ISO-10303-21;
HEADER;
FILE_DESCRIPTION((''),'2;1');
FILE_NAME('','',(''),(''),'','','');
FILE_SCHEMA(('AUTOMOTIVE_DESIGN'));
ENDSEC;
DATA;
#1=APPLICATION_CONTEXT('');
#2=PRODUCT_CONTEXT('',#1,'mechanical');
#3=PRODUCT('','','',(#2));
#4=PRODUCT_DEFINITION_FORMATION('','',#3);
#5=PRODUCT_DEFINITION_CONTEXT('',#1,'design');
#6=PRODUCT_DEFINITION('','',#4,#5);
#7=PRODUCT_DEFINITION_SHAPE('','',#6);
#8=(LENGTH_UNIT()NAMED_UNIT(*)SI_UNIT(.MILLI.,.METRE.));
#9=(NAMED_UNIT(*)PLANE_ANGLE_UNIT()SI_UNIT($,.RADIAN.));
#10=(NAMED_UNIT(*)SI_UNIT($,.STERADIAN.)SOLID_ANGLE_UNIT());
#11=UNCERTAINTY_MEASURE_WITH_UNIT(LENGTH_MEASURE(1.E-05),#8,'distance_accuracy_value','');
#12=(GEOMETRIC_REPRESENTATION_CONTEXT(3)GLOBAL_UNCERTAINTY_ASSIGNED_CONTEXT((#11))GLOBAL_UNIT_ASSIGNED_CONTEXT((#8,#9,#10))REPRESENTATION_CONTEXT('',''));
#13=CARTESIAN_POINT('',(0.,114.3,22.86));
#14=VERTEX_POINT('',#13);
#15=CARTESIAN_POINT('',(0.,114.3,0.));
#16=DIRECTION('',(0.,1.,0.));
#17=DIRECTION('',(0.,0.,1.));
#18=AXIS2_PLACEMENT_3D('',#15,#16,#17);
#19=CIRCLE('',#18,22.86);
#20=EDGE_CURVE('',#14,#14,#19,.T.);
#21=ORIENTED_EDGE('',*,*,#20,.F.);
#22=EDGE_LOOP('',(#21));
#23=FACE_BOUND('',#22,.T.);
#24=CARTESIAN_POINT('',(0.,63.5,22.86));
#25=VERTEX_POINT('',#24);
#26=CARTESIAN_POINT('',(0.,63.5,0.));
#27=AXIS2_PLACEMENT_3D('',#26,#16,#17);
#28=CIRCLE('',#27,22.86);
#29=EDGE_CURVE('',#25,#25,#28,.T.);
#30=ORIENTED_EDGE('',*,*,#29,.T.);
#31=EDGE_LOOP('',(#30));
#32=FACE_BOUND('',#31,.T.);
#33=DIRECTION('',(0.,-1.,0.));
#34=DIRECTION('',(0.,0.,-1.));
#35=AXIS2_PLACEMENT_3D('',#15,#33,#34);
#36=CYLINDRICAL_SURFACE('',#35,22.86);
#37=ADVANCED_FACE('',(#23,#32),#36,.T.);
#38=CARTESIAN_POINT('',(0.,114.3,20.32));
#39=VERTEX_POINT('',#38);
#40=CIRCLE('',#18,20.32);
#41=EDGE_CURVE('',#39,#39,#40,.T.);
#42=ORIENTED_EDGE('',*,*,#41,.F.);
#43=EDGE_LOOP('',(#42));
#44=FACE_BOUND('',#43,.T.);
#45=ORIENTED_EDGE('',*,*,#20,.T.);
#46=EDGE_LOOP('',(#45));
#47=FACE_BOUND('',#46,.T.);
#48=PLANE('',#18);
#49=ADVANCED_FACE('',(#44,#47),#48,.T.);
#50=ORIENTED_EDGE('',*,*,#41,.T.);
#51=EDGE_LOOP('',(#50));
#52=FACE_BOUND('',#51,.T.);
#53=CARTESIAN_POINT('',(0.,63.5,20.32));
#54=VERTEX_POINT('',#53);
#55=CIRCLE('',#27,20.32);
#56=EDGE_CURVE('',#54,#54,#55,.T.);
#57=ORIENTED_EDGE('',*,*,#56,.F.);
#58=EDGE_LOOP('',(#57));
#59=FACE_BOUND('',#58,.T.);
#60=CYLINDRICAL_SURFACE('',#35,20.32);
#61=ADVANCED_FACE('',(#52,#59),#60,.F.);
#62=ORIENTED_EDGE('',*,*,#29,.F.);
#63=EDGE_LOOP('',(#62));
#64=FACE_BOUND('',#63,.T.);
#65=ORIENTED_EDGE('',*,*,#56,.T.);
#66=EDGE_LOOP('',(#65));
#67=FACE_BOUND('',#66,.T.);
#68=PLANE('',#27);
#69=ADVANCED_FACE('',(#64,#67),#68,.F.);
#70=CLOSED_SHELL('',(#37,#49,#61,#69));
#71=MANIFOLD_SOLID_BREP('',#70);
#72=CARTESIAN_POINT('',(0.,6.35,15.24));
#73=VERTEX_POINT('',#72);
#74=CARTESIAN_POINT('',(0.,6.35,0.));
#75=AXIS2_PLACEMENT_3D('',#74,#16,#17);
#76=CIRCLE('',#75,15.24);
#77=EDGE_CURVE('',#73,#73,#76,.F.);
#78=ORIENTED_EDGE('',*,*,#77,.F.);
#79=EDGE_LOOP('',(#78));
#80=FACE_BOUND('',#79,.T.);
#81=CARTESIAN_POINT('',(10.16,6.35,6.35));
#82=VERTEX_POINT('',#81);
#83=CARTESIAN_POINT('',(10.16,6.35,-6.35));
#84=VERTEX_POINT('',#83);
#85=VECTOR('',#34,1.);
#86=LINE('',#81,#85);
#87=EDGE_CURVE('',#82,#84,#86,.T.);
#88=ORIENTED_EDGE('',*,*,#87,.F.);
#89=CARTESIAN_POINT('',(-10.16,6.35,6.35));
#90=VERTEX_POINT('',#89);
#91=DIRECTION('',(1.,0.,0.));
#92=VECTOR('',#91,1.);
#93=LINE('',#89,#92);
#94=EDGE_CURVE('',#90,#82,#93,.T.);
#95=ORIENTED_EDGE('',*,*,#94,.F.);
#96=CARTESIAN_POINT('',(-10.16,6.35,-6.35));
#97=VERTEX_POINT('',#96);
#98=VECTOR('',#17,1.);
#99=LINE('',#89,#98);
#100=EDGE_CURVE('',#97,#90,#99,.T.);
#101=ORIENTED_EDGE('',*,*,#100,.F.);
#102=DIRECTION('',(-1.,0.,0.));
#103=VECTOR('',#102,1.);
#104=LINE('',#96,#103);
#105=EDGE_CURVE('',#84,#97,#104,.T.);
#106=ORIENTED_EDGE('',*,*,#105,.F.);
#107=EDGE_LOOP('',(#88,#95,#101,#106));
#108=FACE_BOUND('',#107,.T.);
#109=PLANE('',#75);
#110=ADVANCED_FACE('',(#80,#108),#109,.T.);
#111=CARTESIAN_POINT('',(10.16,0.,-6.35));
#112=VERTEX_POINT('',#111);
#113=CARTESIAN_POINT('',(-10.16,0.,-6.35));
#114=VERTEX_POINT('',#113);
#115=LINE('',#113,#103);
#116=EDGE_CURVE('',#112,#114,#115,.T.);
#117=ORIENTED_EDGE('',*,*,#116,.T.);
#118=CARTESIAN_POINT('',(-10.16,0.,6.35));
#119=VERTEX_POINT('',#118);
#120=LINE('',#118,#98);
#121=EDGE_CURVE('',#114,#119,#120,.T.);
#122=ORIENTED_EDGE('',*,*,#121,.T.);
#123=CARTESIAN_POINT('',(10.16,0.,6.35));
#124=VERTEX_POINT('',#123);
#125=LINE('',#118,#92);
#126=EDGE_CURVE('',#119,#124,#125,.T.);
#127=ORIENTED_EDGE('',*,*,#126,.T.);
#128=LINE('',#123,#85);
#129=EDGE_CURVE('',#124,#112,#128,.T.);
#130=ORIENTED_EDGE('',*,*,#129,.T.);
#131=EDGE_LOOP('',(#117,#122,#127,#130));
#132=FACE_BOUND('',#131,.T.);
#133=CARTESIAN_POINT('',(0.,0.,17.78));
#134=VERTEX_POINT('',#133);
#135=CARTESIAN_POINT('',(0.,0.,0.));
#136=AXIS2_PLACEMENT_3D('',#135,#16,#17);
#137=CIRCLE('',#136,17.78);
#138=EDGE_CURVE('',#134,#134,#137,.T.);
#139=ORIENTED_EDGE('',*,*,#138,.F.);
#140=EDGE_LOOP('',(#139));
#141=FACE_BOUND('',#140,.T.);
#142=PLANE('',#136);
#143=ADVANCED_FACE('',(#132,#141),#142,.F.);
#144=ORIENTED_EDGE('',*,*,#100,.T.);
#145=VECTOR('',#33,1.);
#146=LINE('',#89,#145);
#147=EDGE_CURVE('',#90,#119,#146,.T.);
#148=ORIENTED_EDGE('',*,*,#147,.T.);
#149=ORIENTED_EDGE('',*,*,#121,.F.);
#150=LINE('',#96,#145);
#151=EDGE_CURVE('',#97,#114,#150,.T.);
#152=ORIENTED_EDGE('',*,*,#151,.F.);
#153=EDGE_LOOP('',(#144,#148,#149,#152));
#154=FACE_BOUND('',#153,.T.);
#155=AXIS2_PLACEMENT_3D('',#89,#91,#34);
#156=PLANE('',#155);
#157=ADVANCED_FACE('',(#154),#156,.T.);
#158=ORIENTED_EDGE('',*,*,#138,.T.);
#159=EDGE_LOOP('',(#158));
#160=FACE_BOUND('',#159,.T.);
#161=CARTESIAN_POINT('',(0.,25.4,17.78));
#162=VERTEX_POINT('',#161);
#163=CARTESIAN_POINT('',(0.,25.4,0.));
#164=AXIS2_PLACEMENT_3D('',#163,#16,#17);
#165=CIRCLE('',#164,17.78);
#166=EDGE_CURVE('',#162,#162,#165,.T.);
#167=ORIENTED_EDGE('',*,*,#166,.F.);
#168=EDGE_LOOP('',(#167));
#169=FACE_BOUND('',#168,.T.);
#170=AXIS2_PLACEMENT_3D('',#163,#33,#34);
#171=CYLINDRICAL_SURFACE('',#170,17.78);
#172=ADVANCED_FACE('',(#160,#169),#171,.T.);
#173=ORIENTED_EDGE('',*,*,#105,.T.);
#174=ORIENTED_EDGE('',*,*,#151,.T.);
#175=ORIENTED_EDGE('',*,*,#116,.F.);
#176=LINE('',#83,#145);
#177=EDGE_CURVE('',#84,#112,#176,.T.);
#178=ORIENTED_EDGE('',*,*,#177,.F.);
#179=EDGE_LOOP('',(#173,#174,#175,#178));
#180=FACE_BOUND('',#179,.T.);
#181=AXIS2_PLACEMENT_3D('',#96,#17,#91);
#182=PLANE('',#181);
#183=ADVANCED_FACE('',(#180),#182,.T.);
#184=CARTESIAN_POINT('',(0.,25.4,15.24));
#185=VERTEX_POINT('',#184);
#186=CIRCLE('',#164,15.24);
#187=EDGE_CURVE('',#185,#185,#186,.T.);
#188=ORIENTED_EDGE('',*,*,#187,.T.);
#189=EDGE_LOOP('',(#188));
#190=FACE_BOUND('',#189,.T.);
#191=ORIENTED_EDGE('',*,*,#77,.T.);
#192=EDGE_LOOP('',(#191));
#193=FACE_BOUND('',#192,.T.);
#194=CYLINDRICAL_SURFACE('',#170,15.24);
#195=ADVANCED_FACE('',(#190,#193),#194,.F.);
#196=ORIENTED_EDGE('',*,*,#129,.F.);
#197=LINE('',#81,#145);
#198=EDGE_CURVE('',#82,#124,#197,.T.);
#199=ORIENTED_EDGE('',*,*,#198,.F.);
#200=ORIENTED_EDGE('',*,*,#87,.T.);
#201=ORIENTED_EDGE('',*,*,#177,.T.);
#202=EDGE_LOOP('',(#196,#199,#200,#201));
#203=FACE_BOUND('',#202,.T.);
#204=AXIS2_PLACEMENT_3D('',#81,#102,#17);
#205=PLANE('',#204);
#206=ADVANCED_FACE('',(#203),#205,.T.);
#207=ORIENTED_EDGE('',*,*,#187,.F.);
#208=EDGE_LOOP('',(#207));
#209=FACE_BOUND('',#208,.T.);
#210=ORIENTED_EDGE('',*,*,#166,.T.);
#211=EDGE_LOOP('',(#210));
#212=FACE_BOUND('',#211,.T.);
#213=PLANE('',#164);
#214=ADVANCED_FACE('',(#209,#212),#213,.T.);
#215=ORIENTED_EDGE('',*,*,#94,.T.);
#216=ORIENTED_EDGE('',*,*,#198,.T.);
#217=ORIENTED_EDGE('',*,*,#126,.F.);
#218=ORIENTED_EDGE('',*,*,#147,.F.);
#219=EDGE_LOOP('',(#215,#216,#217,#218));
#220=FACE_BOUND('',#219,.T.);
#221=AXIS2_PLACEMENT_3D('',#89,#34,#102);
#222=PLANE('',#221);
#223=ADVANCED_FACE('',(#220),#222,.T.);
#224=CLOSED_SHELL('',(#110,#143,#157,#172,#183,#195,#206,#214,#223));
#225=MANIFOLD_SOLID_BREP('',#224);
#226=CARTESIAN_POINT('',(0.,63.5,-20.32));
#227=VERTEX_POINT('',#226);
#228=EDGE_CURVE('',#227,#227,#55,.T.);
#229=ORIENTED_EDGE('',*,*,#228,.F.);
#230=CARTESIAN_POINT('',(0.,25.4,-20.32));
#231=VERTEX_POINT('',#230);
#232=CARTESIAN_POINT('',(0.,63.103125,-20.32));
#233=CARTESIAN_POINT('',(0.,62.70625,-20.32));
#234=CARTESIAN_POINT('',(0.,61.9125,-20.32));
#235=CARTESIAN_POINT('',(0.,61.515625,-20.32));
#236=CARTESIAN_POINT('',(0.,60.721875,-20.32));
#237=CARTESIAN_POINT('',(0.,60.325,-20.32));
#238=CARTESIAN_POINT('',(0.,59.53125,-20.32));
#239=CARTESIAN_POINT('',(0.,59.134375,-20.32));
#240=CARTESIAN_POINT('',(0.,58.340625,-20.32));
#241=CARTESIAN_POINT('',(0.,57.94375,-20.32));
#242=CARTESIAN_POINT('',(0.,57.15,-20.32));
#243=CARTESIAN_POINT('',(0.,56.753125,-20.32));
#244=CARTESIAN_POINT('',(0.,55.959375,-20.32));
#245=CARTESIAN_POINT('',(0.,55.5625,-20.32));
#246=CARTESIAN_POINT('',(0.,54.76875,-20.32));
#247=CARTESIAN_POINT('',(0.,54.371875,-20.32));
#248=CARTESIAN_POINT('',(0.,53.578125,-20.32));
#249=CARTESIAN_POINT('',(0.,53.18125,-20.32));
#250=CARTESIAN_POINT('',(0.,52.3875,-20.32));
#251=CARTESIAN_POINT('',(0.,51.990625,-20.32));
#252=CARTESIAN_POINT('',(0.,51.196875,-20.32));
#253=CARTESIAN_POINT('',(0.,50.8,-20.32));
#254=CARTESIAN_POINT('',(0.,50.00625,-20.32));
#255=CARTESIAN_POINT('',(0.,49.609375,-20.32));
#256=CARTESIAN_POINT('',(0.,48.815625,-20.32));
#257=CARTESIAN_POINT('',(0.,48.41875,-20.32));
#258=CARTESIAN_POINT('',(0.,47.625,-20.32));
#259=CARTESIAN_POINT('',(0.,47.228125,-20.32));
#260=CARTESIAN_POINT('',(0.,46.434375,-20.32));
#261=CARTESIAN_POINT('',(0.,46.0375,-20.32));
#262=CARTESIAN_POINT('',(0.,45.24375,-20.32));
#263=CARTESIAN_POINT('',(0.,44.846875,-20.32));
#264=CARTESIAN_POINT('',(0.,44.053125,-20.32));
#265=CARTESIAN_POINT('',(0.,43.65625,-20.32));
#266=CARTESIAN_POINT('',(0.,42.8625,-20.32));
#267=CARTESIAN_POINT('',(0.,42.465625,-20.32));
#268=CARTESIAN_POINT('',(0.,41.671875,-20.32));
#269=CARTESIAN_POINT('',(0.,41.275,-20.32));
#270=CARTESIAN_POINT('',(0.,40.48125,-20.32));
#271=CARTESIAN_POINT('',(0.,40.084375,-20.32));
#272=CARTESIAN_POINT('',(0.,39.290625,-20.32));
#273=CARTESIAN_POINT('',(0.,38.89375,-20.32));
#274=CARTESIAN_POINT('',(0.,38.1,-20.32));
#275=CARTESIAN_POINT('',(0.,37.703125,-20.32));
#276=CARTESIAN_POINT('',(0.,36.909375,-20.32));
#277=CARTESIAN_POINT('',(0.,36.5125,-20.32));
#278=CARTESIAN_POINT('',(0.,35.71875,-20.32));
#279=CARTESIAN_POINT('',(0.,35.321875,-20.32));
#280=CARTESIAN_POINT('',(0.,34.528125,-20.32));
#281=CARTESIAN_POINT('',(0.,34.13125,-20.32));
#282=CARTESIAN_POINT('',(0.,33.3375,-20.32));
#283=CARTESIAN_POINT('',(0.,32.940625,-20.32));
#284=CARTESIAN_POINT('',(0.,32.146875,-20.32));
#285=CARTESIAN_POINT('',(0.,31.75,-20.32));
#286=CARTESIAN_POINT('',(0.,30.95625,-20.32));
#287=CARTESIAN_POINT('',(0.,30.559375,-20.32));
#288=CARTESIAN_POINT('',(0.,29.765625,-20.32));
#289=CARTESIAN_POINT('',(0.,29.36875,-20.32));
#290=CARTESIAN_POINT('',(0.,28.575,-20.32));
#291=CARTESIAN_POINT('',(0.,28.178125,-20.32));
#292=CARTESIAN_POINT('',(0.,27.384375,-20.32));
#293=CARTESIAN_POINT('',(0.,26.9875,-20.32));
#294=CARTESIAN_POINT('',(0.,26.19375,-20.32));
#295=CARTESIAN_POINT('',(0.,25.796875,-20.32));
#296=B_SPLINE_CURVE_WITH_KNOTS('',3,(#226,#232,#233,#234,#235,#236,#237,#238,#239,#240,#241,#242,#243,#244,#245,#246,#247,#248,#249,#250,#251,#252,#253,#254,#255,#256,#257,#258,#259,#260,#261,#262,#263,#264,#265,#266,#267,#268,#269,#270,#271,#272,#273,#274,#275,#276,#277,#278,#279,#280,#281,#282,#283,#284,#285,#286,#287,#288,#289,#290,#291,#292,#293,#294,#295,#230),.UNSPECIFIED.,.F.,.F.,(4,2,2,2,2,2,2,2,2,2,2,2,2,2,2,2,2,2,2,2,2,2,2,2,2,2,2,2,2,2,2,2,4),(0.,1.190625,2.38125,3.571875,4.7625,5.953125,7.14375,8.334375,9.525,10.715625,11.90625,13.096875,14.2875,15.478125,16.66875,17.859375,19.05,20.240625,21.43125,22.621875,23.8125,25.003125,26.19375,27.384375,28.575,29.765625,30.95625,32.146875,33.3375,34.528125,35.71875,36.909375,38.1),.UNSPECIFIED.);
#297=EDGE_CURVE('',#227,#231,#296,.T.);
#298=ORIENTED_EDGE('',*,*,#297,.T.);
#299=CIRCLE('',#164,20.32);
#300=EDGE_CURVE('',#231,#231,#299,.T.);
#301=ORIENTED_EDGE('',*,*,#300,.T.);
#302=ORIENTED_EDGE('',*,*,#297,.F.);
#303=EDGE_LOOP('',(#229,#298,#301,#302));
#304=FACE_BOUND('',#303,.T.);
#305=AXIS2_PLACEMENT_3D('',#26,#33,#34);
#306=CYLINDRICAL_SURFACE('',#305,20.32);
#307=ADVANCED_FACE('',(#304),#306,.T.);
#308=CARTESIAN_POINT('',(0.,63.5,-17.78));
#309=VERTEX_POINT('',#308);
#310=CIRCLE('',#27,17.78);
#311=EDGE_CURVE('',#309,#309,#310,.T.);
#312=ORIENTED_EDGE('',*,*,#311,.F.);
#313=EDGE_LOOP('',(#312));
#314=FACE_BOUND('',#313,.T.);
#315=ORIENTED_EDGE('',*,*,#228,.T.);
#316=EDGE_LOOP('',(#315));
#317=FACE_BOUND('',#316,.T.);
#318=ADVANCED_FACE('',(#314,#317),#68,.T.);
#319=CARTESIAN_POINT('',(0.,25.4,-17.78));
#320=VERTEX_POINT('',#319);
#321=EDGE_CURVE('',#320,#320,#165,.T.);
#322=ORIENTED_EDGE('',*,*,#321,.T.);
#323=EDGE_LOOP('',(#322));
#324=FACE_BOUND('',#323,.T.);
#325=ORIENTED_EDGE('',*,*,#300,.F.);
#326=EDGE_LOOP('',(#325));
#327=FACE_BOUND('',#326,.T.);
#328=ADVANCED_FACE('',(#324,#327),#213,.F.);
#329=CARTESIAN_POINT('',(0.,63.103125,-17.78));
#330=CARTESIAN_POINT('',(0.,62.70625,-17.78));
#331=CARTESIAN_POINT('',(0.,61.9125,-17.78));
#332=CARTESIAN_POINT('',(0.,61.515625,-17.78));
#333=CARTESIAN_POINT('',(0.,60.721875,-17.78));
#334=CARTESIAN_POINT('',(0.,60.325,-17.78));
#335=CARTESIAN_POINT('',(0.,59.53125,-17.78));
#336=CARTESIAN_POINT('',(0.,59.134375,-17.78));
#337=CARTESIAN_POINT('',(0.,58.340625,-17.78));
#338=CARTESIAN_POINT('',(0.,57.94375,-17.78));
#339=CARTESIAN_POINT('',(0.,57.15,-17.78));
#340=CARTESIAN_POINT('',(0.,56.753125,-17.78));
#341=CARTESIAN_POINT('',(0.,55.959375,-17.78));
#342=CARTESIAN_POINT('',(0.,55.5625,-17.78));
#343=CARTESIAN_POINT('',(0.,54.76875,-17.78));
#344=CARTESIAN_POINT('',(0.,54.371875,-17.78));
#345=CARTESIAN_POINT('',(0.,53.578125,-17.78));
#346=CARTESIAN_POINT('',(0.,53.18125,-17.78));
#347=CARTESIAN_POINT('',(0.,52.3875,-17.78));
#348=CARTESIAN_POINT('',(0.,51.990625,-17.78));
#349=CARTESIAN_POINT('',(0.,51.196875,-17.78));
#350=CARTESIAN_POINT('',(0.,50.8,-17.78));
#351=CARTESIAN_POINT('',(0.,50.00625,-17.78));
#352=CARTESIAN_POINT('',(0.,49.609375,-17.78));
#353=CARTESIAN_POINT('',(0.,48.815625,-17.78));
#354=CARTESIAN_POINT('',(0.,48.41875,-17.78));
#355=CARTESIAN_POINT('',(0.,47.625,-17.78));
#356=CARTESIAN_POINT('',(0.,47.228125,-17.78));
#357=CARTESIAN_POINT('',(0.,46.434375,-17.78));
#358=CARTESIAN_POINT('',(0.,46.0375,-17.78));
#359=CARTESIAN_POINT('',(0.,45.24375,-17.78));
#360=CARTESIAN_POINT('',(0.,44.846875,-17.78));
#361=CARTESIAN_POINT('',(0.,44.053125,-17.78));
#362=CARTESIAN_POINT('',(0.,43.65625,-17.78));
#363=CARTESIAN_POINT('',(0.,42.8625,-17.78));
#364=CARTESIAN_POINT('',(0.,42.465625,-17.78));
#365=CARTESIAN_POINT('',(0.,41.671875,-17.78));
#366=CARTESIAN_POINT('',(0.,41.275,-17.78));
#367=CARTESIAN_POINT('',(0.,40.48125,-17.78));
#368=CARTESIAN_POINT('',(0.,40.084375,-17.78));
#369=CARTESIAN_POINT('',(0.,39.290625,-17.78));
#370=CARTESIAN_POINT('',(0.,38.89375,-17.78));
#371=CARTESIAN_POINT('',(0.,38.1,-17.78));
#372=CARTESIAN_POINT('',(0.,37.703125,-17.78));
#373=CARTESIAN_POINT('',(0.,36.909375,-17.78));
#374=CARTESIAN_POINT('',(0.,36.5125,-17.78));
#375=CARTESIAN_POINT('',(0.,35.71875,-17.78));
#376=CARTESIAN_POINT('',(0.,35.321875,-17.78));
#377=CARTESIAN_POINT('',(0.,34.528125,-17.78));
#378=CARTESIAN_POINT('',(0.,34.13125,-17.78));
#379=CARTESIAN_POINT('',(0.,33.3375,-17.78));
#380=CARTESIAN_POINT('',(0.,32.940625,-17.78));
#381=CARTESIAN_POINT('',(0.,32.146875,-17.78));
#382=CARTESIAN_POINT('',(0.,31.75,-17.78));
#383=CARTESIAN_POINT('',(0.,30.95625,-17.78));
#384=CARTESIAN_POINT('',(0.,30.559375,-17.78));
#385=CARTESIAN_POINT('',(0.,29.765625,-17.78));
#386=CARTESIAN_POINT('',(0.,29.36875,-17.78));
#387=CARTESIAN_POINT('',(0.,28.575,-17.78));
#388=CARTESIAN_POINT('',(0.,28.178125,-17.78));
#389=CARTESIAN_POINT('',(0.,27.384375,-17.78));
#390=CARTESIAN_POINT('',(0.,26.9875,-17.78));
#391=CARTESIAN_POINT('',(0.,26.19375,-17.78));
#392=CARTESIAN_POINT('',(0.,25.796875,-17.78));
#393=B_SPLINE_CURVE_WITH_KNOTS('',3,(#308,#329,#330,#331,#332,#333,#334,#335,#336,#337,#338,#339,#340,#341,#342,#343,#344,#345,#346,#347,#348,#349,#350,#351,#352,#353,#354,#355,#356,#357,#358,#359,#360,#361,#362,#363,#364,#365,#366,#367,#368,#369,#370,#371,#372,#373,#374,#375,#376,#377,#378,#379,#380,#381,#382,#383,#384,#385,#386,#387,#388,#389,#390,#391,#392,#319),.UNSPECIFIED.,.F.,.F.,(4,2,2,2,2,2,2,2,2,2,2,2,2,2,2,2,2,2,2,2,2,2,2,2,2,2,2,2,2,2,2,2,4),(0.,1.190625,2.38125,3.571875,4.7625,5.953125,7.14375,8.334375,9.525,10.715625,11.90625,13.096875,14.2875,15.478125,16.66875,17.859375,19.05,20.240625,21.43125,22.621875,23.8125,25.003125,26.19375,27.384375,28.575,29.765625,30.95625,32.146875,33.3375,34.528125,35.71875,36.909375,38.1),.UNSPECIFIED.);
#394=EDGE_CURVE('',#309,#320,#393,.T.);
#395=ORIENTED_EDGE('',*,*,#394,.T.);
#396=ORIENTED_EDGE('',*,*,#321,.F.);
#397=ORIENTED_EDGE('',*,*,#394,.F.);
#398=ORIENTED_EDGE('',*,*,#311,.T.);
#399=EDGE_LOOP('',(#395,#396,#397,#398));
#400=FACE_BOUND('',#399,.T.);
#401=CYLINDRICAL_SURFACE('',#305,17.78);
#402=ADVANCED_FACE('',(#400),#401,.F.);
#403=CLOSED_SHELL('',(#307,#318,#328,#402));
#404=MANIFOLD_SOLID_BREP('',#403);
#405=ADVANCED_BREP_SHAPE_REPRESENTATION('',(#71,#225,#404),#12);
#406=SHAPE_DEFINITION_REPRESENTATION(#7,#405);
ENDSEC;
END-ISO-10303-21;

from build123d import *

# Parameters (mm, degrees)
SKETCH1_R           = 15.24
SKETCH1_W           = 20.32
SKETCH1_H           = 12.7
BOSS_EXTRUDE1_DEPTH = 6.35
SKETCH2_R           = 17.78
SKETCH2_R_2         = 15.24
BOSS_EXTRUDE2_DEPTH = 25.4
SKETCH5_R           = 20.32
SKETCH5_R_2         = 17.78
BOSS_EXTRUDE3_DEPTH = 38.1
SKETCH6_R           = 22.86
SKETCH6_R_2         = 20.32
BOSS_EXTRUDE4_DEPTH = 50.8


with BuildPart() as part:
    # Sketch1 → Boss-Extrude1 (new body)
    with BuildSketch(Plane(origin=(0, 0, 0), x_dir=(1, 0, 0), z_dir=(0, 1, 0))):
        with Locations(Location((0, 0, 0), (0, 0, 270))):
            Circle(SKETCH1_R)
        Rectangle(SKETCH1_W, SKETCH1_H, mode=Mode.SUBTRACT)
    extrude(amount=BOSS_EXTRUDE1_DEPTH)

    # Sketch2 → Boss-Extrude2 (add)
    with BuildSketch(Plane(origin=(0, 0, 0), x_dir=(1, 0, 0), z_dir=(0, 1, 0))):
        with Locations(Location((0, 0, 0), (0, 0, 270))):
            Circle(SKETCH2_R)
        with Locations(Location((0, 0, 0), (0, 0, 270))):
            Circle(SKETCH2_R_2, mode=Mode.SUBTRACT)
    extrude(amount=BOSS_EXTRUDE2_DEPTH)


with BuildPart() as body_2:
    # Sketch5 → Boss-Extrude3 (new body)
    with BuildSketch(Plane(origin=(0, 25.4, 0), x_dir=(1, 0, 0), z_dir=(0, 1, 0))):
        with Locations(Location((0, 0, 0), (0, 0, 90))):
            Circle(SKETCH5_R)
        with Locations(Location((0, 0, 0), (0, 0, 90))):
            Circle(SKETCH5_R_2, mode=Mode.SUBTRACT)
    extrude(amount=BOSS_EXTRUDE3_DEPTH)


with BuildPart() as body_3:
    # Sketch6 → Boss-Extrude4 (new body)
    with BuildSketch(Plane(origin=(0, 63.5, 0), x_dir=(1, 0, 0), z_dir=(0, 1, 0))):
        with Locations(Location((0, 0, 0), (0, 0, 270))):
            Circle(SKETCH6_R)
        with Locations(Location((0, 0, 0), (0, 0, 270))):
            Circle(SKETCH6_R_2, mode=Mode.SUBTRACT)
    extrude(amount=BOSS_EXTRUDE4_DEPTH)


solid = Compound([part.part, body_2.part, body_3.part])
